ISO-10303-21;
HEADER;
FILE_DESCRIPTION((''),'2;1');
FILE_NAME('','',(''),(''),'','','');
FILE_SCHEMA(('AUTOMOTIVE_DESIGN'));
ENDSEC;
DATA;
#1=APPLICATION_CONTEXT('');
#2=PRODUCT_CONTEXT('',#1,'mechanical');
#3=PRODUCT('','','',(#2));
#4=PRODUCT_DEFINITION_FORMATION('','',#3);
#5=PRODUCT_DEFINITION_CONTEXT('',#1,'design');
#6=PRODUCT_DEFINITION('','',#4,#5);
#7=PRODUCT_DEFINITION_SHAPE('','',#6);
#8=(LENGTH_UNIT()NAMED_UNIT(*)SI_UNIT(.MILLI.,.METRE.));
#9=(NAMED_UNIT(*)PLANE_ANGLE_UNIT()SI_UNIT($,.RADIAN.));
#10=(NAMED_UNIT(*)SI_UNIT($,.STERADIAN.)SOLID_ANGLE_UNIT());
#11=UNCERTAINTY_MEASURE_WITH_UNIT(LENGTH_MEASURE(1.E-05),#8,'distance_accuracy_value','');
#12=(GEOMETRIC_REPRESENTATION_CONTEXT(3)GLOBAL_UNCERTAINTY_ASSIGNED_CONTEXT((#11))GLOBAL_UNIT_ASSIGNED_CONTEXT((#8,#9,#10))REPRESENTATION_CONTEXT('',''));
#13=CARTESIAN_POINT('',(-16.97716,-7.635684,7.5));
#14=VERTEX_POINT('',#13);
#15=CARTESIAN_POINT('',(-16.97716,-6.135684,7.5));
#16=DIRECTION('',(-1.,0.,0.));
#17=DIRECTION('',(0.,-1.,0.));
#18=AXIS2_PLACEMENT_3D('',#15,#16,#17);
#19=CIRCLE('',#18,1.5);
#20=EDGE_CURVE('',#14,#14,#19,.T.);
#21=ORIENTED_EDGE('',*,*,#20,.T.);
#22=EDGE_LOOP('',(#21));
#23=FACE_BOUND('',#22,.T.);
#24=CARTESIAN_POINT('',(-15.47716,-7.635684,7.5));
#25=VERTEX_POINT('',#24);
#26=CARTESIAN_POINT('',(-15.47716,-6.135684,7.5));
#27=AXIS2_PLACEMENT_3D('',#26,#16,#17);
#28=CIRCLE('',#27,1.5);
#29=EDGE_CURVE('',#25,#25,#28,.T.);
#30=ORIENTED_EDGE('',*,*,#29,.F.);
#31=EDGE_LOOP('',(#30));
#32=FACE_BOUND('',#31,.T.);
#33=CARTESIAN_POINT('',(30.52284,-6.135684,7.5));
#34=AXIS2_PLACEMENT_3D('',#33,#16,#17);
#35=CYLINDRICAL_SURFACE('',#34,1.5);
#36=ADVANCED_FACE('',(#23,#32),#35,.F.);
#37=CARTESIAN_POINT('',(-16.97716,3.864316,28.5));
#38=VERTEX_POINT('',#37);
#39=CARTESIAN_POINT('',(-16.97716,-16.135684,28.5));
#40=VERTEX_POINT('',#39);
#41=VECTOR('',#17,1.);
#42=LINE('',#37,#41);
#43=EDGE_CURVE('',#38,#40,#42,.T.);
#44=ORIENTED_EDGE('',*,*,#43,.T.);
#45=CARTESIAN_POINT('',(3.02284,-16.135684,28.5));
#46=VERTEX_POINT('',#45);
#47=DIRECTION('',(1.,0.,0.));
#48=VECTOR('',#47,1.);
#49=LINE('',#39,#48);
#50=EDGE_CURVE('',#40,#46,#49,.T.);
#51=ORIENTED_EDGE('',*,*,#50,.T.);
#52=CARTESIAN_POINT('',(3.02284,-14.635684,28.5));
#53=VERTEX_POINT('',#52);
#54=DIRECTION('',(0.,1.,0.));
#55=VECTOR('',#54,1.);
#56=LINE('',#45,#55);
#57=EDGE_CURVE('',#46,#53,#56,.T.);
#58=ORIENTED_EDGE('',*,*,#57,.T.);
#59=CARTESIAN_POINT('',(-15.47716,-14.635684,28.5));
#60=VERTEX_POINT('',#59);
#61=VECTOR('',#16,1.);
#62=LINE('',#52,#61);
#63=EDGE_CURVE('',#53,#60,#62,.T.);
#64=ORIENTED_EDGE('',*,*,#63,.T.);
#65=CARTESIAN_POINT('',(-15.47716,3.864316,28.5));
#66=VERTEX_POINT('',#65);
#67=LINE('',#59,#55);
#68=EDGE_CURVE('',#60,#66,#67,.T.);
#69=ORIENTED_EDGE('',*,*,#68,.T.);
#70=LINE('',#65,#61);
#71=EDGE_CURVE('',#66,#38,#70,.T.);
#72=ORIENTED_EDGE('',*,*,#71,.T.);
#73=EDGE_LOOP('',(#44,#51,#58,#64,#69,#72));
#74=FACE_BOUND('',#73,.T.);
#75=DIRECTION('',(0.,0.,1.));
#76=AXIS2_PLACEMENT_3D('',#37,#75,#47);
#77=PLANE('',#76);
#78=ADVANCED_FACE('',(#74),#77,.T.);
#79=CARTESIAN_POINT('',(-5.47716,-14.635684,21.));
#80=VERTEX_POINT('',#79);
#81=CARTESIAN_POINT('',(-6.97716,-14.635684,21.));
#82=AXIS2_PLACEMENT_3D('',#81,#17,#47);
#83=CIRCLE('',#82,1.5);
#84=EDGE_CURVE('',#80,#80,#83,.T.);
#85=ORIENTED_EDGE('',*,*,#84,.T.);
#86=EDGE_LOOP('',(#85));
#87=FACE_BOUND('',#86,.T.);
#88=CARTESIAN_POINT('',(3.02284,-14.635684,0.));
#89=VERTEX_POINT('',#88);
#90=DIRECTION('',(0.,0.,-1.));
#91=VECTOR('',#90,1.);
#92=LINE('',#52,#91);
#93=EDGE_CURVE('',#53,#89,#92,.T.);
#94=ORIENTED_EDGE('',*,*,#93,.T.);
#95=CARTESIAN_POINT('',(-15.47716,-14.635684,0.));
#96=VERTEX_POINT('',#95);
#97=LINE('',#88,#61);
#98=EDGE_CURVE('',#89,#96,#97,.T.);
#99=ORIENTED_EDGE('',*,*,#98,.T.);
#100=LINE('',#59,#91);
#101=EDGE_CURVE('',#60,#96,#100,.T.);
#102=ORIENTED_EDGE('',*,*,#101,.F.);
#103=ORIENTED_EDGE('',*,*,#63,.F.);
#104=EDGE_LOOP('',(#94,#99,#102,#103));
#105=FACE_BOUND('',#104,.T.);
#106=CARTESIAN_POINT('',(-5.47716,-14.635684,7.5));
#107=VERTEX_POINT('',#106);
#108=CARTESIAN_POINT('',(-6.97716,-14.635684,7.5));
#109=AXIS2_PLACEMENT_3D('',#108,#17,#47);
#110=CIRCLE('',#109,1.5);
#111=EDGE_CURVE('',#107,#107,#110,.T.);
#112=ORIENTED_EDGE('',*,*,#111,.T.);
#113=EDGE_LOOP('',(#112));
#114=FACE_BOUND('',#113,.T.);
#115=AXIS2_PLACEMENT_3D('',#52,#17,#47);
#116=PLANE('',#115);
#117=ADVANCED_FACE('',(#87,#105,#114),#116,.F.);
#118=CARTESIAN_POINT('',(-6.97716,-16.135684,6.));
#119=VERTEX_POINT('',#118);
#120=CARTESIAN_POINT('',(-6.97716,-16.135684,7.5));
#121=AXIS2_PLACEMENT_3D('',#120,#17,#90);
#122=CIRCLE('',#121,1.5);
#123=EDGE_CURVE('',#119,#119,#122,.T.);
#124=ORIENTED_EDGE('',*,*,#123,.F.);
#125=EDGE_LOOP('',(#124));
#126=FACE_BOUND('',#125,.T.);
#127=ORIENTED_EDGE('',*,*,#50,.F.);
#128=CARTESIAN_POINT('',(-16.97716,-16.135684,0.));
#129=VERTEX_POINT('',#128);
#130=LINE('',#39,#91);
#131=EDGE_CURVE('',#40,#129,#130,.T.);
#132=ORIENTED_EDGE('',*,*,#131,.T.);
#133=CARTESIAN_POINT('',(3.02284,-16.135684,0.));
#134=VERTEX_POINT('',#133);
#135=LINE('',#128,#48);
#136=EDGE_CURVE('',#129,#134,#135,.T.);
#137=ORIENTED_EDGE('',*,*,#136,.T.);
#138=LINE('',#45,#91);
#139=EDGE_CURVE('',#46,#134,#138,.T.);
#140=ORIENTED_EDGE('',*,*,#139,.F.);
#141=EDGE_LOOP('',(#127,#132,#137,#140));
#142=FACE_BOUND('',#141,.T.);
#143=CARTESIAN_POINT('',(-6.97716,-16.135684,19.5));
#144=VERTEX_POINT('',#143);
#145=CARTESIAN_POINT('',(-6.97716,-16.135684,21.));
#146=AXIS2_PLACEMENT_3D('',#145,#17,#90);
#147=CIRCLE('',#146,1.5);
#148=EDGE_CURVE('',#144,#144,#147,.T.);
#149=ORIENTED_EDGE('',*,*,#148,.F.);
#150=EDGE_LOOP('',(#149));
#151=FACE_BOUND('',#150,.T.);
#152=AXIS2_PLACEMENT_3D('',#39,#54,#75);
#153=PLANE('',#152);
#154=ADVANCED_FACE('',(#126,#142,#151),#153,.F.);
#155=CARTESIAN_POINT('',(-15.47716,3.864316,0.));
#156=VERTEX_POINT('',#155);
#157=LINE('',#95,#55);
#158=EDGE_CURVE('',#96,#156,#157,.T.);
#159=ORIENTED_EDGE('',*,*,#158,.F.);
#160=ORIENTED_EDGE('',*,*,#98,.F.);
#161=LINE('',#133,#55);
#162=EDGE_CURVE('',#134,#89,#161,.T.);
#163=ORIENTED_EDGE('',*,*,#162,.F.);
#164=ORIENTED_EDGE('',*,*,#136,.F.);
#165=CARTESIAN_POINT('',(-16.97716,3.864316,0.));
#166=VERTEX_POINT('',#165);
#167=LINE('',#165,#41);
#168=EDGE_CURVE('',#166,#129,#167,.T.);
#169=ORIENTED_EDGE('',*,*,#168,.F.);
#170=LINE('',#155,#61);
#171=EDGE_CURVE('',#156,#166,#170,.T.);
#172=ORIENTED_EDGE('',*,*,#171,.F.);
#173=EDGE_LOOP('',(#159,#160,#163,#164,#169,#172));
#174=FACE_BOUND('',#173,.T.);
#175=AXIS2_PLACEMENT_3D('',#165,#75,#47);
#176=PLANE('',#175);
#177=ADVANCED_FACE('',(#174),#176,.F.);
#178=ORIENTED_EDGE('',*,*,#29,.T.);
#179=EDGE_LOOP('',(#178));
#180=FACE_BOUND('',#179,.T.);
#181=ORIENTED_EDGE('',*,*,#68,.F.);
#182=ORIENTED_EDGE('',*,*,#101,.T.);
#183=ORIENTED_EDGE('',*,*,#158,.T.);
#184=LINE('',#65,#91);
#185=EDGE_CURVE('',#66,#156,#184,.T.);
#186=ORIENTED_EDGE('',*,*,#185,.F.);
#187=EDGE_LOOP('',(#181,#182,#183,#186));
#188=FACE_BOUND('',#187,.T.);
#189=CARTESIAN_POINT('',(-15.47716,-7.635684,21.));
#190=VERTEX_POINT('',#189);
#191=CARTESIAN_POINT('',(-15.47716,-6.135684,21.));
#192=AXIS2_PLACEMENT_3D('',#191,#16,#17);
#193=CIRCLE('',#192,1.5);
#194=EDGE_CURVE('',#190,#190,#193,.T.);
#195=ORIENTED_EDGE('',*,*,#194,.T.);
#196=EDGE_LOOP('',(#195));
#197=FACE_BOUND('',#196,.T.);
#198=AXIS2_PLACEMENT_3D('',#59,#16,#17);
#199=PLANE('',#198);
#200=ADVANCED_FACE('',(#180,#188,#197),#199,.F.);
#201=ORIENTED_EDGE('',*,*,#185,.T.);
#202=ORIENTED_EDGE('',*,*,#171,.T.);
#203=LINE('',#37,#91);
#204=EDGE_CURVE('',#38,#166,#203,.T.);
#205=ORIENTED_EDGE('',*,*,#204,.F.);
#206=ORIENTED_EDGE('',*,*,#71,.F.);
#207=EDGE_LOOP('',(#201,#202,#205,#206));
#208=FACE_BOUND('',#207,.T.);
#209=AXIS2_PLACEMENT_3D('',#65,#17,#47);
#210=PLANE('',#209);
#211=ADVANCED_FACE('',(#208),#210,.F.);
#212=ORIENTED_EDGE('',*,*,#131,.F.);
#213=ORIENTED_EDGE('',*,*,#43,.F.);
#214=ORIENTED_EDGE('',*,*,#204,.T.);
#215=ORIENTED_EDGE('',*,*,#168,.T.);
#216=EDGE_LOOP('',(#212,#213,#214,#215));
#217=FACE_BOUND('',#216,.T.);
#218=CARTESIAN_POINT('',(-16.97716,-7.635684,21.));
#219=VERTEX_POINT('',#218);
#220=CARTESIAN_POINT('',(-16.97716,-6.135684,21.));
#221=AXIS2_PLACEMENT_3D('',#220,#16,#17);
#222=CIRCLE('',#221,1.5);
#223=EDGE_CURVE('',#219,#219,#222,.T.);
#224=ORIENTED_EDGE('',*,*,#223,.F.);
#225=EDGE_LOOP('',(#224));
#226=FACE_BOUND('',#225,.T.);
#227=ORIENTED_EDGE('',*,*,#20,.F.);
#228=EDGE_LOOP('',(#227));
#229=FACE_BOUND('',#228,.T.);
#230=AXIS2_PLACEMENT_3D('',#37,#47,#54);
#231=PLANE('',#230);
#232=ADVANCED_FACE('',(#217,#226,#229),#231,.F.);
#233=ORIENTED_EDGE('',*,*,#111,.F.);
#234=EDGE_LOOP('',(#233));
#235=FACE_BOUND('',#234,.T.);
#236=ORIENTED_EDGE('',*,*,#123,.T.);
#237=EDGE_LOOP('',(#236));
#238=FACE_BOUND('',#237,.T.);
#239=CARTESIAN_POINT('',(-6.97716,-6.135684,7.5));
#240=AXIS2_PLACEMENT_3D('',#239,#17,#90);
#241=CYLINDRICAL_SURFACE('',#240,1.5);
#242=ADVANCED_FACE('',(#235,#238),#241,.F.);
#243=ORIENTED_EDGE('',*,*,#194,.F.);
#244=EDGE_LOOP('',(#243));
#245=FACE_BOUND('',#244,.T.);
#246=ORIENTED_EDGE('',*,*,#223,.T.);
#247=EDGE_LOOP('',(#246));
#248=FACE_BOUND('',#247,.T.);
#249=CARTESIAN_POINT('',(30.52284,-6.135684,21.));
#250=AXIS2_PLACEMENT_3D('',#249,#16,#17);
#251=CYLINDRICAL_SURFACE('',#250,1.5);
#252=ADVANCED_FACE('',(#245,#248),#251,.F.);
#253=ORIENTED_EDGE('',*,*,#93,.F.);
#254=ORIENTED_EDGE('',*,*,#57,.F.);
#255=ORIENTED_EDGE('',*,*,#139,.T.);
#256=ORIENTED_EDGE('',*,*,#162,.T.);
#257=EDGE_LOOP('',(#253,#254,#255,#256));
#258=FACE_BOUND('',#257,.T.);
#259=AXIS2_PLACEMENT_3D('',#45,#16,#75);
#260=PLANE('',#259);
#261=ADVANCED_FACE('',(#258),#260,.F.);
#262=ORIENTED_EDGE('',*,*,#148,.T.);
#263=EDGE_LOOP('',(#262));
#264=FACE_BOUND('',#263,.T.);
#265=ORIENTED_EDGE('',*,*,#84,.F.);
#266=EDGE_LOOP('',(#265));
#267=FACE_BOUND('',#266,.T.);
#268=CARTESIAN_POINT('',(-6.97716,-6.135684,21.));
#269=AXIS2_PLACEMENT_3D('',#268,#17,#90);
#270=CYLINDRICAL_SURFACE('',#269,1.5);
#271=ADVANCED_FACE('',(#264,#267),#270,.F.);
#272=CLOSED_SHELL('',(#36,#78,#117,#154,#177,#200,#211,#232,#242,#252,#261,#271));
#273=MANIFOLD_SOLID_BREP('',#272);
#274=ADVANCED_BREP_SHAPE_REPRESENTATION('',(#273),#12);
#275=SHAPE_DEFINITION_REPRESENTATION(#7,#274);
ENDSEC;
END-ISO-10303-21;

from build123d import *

# Parameters (mm, degrees)
EXTRUSION1_DEPTH = 28.5
ESQUISSE2_R      = 1.5
EXTRUSION2_DEPTH = 47.5
ESQUISSE3_R      = 1.5
EXTRUSION3_DEPTH = 10


with BuildPart() as part:
    # Esquisse1 → Extrusion1 (new body)
    with BuildSketch(Plane.XY):
        Polygon((-16.977160064, 3.864315789), (-16.977160064, -16.135684211), (3.022839936, -16.135684211), (3.022839936, -14.635684211), (-15.477160064, -14.635684211), (-15.477160064, 3.864315789), align=None)
    extrude(amount=EXTRUSION1_DEPTH)

    # Esquisse2 → Extrusion2 (cut)
    with BuildSketch(Plane.ZY.offset(16.977160064)):
        with Locations(Location((21, -6.135684211, 0), (0, 0, 270))):
            Circle(ESQUISSE2_R)
        with Locations(Location((7.5, -6.135684211, 0), (0, 0, 270))):
            Circle(ESQUISSE2_R)
    extrude(amount=-EXTRUSION2_DEPTH, mode=Mode.SUBTRACT)

    # Esquisse3 → Extrusion3 (cut)
    with BuildSketch(Plane.XZ.offset(16.135684211)):
        with Locations(Location((-6.977160064, 7.5, 0), (0, 0, 270))):
            Circle(ESQUISSE3_R)
        with Locations(Location((-6.977160064, 21, 0), (0, 0, 270))):
            Circle(ESQUISSE3_R)
    extrude(amount=-EXTRUSION3_DEPTH, mode=Mode.SUBTRACT)


solid = part.part
